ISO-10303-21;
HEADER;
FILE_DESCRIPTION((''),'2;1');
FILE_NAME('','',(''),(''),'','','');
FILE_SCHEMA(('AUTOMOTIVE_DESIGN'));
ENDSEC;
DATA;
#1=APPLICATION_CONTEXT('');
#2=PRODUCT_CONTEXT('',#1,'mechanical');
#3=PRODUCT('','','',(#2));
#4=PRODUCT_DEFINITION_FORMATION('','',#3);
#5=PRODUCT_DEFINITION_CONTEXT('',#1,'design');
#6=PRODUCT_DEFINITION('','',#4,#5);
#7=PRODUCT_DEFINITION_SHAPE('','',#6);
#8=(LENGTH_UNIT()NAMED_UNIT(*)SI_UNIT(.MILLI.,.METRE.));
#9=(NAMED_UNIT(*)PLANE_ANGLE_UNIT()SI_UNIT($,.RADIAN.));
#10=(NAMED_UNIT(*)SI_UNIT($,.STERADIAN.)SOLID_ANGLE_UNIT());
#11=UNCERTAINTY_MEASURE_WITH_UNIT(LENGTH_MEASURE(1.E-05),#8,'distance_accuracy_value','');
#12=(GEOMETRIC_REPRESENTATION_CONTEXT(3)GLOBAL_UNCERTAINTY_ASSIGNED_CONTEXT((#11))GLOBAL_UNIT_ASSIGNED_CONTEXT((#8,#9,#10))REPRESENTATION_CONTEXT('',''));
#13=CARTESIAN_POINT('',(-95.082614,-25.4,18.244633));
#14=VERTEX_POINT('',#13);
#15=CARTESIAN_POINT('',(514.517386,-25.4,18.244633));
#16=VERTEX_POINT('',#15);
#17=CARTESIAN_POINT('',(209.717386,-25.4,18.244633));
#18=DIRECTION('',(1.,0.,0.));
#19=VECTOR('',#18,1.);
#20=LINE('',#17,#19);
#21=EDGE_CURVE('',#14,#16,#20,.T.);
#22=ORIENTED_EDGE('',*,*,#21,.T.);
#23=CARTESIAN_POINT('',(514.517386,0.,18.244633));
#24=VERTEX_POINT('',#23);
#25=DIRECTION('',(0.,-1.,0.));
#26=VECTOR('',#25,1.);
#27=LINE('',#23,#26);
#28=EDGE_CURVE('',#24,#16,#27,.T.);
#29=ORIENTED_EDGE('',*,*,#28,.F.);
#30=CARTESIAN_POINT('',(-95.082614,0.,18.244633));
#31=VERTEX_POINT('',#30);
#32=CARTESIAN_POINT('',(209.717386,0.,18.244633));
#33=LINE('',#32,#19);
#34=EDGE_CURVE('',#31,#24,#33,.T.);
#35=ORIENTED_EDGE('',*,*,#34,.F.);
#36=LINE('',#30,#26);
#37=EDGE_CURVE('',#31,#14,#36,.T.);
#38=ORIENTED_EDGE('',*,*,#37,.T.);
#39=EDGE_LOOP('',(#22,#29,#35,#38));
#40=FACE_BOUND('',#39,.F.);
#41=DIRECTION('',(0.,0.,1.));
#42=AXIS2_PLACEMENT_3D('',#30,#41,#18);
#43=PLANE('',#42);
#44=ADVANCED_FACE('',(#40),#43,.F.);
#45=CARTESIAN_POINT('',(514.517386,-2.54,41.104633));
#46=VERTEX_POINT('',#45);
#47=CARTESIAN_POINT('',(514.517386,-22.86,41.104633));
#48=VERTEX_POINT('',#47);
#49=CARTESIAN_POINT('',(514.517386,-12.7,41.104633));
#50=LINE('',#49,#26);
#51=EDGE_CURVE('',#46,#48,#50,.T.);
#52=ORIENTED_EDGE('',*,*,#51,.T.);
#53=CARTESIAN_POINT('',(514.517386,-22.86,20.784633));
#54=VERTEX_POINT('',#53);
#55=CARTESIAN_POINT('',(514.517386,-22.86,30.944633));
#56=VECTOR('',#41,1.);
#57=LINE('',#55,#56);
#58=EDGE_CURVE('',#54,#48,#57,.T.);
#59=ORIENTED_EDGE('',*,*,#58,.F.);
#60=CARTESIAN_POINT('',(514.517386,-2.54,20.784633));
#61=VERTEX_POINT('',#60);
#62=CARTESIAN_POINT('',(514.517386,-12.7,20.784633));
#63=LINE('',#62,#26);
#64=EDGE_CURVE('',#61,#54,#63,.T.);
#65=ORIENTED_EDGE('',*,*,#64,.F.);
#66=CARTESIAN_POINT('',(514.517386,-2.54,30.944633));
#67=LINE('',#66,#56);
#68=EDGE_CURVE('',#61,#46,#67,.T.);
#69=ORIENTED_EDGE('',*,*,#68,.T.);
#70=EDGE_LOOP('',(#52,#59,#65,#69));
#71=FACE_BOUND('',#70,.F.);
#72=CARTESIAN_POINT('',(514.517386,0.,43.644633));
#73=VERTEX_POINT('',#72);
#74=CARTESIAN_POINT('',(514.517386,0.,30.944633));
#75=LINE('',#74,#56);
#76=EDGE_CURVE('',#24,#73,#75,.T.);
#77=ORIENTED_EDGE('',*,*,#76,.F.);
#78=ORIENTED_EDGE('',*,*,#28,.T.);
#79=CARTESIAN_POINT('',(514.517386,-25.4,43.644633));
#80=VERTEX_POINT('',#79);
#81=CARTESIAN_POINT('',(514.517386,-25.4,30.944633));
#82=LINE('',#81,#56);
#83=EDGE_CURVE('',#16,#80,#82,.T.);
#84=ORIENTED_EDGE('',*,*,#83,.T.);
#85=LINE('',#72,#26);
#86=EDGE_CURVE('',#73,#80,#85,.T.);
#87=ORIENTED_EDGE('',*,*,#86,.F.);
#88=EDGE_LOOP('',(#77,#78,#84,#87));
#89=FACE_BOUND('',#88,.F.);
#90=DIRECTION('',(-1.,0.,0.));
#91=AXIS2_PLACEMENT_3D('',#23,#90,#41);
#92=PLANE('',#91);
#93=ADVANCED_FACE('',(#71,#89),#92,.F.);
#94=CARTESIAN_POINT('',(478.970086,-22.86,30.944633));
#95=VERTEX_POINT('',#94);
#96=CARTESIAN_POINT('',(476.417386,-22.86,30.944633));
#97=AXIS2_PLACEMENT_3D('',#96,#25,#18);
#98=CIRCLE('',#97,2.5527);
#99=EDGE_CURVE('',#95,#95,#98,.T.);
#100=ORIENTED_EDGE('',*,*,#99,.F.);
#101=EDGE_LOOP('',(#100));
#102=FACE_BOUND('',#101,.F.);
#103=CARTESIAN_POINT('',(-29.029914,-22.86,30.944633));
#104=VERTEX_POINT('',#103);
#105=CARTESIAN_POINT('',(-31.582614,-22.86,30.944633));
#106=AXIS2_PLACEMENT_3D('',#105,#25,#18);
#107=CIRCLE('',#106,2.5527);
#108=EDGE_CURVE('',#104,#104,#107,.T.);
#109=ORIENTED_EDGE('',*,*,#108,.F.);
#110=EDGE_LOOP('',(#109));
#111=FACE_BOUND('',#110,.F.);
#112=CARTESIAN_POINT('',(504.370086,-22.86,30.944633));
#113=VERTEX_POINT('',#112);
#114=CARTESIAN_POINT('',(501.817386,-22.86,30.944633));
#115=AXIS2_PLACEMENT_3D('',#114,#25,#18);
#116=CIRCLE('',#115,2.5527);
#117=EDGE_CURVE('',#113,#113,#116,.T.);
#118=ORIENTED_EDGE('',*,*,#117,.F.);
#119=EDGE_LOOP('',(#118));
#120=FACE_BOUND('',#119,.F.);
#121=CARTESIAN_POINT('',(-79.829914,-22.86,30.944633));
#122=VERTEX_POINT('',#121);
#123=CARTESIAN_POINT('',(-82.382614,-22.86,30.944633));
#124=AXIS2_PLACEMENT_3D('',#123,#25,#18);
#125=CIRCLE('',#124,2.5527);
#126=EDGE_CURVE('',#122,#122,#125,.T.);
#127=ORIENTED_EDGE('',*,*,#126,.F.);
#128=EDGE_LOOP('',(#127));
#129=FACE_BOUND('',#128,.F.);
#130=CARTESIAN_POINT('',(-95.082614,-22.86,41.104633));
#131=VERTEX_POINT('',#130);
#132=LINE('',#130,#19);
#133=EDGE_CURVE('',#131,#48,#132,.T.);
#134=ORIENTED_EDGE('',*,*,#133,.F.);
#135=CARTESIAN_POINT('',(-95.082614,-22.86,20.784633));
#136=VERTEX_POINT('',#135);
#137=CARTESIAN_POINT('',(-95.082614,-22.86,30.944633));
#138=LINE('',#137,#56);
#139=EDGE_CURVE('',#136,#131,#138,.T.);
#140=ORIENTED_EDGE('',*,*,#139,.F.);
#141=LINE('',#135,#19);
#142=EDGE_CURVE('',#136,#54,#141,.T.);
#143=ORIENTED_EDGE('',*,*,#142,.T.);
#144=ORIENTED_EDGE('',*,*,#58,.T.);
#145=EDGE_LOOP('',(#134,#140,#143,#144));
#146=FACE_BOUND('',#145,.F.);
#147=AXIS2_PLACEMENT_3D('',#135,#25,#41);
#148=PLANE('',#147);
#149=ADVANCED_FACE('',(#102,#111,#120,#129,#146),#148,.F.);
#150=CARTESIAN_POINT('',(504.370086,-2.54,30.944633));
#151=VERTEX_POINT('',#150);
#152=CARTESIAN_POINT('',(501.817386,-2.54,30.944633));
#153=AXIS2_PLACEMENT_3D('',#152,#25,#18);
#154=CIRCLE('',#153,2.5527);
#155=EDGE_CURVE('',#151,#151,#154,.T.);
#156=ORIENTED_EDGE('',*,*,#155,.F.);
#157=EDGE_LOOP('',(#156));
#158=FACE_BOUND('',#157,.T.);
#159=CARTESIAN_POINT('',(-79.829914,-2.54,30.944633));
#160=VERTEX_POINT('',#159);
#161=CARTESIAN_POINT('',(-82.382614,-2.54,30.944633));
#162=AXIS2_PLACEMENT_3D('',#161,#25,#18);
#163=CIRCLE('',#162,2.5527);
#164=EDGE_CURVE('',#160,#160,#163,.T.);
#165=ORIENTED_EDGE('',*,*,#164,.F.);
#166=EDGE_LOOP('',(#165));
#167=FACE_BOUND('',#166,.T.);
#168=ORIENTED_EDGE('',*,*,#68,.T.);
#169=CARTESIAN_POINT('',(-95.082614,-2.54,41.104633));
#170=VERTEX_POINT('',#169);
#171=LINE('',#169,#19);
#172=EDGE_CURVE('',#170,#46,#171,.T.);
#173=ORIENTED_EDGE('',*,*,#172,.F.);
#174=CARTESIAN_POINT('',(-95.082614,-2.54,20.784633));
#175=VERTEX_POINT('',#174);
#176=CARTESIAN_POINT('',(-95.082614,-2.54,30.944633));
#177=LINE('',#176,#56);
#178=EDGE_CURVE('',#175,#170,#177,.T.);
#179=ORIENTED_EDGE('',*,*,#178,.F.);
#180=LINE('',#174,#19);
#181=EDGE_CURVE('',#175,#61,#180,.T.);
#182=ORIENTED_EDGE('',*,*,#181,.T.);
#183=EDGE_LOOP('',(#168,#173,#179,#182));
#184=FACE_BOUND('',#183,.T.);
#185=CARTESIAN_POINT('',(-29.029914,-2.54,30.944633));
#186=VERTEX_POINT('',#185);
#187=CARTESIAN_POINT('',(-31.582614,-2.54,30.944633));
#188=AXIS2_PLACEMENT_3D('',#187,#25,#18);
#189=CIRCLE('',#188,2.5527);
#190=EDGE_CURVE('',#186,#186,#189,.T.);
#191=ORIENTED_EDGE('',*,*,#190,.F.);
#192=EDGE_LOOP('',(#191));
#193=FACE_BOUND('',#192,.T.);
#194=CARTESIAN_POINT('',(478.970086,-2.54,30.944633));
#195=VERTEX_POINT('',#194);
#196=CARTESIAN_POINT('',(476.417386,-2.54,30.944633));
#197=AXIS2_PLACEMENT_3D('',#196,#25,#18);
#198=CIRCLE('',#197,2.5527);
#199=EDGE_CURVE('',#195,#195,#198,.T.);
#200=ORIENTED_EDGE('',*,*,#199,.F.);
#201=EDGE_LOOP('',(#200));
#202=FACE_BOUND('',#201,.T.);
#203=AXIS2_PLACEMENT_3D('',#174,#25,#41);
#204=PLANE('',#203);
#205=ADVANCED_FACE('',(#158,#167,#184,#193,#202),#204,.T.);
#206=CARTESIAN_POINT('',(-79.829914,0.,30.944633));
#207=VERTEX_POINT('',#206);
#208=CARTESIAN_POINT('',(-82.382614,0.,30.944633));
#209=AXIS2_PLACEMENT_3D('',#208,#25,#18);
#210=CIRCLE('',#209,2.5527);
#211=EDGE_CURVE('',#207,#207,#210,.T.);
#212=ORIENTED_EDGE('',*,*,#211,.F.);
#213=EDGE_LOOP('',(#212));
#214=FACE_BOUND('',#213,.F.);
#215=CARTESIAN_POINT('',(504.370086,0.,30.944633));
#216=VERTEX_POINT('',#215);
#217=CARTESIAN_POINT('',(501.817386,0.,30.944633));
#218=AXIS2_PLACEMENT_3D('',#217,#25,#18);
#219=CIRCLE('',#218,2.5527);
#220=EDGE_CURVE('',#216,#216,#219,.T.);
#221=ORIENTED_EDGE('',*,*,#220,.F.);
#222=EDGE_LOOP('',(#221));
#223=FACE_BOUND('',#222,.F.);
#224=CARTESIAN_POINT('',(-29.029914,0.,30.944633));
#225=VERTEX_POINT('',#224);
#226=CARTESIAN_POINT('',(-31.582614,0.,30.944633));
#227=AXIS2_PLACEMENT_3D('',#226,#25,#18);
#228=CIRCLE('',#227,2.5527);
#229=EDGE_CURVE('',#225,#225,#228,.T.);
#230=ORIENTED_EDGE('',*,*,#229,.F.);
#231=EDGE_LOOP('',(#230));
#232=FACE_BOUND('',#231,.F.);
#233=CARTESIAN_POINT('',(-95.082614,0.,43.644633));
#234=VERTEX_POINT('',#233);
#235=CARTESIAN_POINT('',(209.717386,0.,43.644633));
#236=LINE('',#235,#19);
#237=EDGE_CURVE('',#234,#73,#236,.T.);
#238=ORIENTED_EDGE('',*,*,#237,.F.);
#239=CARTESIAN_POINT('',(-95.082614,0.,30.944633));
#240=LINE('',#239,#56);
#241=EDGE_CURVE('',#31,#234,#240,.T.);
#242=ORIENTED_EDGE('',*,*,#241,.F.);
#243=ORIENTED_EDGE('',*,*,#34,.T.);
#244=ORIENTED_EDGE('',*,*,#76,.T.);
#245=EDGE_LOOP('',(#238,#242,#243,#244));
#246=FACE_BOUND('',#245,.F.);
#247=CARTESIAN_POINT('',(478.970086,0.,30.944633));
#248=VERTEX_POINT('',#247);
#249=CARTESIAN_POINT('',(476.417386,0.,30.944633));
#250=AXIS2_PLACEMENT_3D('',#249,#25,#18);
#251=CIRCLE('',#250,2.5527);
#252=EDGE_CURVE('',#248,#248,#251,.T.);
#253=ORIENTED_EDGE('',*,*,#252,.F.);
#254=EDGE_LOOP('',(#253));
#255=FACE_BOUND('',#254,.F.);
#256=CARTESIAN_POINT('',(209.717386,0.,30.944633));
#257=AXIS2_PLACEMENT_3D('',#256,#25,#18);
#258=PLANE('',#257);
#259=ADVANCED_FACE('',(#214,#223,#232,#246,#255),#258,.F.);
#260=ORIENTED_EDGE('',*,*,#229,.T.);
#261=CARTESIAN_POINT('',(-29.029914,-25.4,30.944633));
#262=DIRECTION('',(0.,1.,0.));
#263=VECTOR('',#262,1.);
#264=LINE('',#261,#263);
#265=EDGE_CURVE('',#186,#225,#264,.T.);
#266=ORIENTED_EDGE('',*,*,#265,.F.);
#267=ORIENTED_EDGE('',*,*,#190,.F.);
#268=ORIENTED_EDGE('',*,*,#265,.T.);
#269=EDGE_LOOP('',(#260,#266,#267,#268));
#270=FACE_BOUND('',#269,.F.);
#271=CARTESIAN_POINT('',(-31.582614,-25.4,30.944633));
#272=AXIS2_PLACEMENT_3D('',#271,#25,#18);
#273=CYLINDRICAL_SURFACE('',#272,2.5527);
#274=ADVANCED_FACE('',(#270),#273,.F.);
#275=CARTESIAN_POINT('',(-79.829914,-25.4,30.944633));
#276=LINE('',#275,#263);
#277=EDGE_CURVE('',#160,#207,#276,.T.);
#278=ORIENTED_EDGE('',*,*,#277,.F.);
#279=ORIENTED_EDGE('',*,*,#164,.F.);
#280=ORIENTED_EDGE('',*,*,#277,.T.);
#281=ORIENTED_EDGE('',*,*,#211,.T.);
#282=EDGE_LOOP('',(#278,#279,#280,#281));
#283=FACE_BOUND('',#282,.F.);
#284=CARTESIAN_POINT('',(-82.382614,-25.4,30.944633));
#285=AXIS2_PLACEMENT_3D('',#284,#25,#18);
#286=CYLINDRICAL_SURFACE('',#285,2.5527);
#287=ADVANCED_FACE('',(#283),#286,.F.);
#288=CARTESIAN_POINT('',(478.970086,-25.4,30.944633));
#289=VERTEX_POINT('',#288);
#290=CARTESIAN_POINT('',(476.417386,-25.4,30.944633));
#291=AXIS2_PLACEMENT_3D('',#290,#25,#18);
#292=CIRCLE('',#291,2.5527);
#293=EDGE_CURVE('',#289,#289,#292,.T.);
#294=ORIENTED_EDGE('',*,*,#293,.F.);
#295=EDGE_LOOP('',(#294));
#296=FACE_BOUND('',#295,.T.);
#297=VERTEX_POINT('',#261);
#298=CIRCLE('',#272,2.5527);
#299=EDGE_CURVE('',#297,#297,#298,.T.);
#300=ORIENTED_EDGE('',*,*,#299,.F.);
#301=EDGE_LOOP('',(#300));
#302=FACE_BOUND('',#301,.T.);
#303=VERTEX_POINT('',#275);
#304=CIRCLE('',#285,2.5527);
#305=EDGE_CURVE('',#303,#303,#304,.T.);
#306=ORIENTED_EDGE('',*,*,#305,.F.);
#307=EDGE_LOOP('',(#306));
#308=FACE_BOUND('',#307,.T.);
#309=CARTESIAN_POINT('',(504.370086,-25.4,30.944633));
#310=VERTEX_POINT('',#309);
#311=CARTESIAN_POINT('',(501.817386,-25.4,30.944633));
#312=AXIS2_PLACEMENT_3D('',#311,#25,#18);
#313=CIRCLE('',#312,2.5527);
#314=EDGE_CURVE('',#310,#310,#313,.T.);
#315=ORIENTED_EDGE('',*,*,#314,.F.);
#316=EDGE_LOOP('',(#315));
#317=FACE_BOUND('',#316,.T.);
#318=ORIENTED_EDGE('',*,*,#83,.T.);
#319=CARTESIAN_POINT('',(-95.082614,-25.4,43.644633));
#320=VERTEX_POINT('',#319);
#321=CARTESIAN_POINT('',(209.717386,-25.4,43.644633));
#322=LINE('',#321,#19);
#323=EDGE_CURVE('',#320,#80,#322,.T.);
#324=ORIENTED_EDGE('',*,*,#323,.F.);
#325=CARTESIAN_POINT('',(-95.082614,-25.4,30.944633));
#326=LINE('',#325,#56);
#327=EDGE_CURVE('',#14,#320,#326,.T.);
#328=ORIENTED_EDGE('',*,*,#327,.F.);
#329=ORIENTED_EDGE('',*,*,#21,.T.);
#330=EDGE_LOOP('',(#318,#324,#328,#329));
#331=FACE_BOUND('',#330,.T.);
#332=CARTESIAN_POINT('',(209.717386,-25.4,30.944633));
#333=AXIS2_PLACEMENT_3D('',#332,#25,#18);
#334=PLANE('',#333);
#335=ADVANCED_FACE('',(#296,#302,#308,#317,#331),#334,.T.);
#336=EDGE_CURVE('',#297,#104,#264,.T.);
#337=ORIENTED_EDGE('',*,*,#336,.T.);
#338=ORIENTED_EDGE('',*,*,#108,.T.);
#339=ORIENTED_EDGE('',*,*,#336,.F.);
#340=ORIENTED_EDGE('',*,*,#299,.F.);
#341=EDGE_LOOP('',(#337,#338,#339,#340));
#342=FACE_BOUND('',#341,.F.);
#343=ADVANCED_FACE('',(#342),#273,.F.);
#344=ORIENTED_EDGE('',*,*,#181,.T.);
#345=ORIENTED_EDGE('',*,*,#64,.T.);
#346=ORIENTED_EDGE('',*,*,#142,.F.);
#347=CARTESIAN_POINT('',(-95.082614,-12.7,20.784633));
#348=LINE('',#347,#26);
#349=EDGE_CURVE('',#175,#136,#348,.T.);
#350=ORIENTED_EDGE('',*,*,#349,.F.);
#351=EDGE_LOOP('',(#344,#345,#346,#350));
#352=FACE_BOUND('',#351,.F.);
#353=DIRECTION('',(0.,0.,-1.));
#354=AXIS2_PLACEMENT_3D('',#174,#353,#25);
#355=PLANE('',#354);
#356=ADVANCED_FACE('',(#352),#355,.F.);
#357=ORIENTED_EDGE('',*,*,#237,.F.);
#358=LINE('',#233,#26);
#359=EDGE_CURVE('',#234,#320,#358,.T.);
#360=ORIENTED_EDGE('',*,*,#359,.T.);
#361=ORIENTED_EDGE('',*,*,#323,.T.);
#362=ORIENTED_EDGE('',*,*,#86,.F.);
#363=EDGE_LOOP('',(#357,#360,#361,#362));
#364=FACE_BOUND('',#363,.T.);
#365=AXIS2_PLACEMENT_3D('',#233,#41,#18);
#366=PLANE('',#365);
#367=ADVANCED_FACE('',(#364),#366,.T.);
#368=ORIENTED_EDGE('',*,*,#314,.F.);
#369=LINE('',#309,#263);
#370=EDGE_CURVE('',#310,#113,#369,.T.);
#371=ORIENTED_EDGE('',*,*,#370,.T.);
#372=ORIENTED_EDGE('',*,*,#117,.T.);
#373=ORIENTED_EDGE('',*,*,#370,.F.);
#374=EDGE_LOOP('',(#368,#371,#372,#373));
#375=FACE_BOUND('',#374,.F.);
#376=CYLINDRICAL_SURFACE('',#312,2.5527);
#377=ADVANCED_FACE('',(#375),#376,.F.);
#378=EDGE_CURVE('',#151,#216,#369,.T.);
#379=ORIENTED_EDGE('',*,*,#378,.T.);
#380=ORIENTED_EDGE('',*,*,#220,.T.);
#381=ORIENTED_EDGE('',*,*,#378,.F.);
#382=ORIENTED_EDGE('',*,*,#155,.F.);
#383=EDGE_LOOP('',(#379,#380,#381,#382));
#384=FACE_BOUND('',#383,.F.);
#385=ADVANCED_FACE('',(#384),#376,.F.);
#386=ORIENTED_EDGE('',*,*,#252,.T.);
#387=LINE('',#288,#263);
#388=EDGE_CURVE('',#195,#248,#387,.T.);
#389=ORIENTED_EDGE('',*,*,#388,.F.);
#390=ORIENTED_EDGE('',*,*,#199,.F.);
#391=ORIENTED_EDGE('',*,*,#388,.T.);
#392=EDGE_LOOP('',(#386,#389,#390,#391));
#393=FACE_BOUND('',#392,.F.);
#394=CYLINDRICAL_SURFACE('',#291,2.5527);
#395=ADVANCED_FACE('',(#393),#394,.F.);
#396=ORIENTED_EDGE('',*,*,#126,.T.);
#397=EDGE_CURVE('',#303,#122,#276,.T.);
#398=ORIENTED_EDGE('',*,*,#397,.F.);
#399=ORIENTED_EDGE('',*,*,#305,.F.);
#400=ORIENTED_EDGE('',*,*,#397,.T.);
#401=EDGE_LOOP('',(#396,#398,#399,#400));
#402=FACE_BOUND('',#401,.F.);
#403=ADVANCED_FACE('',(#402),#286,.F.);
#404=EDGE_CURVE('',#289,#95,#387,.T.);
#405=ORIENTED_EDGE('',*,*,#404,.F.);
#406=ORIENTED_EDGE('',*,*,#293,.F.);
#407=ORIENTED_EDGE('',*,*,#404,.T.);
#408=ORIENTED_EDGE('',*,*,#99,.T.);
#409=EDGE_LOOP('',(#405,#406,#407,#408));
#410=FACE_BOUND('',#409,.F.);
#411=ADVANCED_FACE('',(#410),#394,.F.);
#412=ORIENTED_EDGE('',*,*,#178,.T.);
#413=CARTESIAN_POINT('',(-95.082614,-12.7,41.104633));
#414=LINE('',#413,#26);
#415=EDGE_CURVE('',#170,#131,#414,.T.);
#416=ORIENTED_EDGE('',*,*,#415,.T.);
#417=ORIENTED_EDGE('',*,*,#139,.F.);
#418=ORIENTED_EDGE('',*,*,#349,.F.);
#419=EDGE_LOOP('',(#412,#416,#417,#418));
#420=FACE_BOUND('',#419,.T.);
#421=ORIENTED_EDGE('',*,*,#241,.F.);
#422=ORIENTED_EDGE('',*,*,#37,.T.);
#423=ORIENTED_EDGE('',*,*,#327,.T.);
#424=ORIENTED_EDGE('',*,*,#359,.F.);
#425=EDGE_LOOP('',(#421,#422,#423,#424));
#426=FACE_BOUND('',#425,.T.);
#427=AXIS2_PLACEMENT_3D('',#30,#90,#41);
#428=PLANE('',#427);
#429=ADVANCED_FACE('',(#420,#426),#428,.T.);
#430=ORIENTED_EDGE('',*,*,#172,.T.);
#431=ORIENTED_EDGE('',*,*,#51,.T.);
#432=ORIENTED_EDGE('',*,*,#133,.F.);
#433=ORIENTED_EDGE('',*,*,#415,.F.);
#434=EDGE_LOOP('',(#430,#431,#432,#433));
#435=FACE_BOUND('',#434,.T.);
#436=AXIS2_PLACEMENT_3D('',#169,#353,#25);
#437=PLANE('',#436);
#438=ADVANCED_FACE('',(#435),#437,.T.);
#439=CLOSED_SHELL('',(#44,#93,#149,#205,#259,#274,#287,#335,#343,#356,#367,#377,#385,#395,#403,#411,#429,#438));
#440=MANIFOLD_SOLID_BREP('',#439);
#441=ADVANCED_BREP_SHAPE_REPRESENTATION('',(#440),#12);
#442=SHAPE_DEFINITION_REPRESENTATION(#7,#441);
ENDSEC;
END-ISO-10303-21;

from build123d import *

# Parameters (mm, degrees)
F0_W     = 609.6
F0_H     = 25.4
F1_DEPTH = 25.4
F2_W     = 20.32
F2_H     = 20.32
F3_DEPTH = 609.6
F4_R     = 2.5527
F5_DEPTH = 25.4


with BuildPart() as f1:
    # F0 (on Front) → F1 (new body)
    with BuildSketch(Plane.XZ):
        with Locations((209.717386, 30.944633)):
            Rectangle(F0_W, F0_H)
    extrude(amount=F1_DEPTH)

    # F2 (on face) → F3 (cut)
    with BuildSketch(Plane(origin=(-95.082614, 0, 0), x_dir=(0, -1, 0), z_dir=(-1, 0, 0))):
        with Locations((12.7, 30.944633)):
            Rectangle(F2_W, F2_H)
    extrude(amount=-F3_DEPTH, mode=Mode.SUBTRACT)

    # F4 (on face) → F5 (cut)
    with BuildSketch(Plane.XZ.offset(25.4)):
        with Locations((501.817386, 30.944633)):
            Circle(F4_R)
        with Locations((476.417386, 30.944633)):
            Circle(F4_R)
        with Locations((-82.382614, 30.944633)):
            Circle(F4_R)
        with Locations((-31.582614, 30.944633)):
            Circle(F4_R)
    extrude(amount=-F5_DEPTH, mode=Mode.SUBTRACT)


solid = f1.part
